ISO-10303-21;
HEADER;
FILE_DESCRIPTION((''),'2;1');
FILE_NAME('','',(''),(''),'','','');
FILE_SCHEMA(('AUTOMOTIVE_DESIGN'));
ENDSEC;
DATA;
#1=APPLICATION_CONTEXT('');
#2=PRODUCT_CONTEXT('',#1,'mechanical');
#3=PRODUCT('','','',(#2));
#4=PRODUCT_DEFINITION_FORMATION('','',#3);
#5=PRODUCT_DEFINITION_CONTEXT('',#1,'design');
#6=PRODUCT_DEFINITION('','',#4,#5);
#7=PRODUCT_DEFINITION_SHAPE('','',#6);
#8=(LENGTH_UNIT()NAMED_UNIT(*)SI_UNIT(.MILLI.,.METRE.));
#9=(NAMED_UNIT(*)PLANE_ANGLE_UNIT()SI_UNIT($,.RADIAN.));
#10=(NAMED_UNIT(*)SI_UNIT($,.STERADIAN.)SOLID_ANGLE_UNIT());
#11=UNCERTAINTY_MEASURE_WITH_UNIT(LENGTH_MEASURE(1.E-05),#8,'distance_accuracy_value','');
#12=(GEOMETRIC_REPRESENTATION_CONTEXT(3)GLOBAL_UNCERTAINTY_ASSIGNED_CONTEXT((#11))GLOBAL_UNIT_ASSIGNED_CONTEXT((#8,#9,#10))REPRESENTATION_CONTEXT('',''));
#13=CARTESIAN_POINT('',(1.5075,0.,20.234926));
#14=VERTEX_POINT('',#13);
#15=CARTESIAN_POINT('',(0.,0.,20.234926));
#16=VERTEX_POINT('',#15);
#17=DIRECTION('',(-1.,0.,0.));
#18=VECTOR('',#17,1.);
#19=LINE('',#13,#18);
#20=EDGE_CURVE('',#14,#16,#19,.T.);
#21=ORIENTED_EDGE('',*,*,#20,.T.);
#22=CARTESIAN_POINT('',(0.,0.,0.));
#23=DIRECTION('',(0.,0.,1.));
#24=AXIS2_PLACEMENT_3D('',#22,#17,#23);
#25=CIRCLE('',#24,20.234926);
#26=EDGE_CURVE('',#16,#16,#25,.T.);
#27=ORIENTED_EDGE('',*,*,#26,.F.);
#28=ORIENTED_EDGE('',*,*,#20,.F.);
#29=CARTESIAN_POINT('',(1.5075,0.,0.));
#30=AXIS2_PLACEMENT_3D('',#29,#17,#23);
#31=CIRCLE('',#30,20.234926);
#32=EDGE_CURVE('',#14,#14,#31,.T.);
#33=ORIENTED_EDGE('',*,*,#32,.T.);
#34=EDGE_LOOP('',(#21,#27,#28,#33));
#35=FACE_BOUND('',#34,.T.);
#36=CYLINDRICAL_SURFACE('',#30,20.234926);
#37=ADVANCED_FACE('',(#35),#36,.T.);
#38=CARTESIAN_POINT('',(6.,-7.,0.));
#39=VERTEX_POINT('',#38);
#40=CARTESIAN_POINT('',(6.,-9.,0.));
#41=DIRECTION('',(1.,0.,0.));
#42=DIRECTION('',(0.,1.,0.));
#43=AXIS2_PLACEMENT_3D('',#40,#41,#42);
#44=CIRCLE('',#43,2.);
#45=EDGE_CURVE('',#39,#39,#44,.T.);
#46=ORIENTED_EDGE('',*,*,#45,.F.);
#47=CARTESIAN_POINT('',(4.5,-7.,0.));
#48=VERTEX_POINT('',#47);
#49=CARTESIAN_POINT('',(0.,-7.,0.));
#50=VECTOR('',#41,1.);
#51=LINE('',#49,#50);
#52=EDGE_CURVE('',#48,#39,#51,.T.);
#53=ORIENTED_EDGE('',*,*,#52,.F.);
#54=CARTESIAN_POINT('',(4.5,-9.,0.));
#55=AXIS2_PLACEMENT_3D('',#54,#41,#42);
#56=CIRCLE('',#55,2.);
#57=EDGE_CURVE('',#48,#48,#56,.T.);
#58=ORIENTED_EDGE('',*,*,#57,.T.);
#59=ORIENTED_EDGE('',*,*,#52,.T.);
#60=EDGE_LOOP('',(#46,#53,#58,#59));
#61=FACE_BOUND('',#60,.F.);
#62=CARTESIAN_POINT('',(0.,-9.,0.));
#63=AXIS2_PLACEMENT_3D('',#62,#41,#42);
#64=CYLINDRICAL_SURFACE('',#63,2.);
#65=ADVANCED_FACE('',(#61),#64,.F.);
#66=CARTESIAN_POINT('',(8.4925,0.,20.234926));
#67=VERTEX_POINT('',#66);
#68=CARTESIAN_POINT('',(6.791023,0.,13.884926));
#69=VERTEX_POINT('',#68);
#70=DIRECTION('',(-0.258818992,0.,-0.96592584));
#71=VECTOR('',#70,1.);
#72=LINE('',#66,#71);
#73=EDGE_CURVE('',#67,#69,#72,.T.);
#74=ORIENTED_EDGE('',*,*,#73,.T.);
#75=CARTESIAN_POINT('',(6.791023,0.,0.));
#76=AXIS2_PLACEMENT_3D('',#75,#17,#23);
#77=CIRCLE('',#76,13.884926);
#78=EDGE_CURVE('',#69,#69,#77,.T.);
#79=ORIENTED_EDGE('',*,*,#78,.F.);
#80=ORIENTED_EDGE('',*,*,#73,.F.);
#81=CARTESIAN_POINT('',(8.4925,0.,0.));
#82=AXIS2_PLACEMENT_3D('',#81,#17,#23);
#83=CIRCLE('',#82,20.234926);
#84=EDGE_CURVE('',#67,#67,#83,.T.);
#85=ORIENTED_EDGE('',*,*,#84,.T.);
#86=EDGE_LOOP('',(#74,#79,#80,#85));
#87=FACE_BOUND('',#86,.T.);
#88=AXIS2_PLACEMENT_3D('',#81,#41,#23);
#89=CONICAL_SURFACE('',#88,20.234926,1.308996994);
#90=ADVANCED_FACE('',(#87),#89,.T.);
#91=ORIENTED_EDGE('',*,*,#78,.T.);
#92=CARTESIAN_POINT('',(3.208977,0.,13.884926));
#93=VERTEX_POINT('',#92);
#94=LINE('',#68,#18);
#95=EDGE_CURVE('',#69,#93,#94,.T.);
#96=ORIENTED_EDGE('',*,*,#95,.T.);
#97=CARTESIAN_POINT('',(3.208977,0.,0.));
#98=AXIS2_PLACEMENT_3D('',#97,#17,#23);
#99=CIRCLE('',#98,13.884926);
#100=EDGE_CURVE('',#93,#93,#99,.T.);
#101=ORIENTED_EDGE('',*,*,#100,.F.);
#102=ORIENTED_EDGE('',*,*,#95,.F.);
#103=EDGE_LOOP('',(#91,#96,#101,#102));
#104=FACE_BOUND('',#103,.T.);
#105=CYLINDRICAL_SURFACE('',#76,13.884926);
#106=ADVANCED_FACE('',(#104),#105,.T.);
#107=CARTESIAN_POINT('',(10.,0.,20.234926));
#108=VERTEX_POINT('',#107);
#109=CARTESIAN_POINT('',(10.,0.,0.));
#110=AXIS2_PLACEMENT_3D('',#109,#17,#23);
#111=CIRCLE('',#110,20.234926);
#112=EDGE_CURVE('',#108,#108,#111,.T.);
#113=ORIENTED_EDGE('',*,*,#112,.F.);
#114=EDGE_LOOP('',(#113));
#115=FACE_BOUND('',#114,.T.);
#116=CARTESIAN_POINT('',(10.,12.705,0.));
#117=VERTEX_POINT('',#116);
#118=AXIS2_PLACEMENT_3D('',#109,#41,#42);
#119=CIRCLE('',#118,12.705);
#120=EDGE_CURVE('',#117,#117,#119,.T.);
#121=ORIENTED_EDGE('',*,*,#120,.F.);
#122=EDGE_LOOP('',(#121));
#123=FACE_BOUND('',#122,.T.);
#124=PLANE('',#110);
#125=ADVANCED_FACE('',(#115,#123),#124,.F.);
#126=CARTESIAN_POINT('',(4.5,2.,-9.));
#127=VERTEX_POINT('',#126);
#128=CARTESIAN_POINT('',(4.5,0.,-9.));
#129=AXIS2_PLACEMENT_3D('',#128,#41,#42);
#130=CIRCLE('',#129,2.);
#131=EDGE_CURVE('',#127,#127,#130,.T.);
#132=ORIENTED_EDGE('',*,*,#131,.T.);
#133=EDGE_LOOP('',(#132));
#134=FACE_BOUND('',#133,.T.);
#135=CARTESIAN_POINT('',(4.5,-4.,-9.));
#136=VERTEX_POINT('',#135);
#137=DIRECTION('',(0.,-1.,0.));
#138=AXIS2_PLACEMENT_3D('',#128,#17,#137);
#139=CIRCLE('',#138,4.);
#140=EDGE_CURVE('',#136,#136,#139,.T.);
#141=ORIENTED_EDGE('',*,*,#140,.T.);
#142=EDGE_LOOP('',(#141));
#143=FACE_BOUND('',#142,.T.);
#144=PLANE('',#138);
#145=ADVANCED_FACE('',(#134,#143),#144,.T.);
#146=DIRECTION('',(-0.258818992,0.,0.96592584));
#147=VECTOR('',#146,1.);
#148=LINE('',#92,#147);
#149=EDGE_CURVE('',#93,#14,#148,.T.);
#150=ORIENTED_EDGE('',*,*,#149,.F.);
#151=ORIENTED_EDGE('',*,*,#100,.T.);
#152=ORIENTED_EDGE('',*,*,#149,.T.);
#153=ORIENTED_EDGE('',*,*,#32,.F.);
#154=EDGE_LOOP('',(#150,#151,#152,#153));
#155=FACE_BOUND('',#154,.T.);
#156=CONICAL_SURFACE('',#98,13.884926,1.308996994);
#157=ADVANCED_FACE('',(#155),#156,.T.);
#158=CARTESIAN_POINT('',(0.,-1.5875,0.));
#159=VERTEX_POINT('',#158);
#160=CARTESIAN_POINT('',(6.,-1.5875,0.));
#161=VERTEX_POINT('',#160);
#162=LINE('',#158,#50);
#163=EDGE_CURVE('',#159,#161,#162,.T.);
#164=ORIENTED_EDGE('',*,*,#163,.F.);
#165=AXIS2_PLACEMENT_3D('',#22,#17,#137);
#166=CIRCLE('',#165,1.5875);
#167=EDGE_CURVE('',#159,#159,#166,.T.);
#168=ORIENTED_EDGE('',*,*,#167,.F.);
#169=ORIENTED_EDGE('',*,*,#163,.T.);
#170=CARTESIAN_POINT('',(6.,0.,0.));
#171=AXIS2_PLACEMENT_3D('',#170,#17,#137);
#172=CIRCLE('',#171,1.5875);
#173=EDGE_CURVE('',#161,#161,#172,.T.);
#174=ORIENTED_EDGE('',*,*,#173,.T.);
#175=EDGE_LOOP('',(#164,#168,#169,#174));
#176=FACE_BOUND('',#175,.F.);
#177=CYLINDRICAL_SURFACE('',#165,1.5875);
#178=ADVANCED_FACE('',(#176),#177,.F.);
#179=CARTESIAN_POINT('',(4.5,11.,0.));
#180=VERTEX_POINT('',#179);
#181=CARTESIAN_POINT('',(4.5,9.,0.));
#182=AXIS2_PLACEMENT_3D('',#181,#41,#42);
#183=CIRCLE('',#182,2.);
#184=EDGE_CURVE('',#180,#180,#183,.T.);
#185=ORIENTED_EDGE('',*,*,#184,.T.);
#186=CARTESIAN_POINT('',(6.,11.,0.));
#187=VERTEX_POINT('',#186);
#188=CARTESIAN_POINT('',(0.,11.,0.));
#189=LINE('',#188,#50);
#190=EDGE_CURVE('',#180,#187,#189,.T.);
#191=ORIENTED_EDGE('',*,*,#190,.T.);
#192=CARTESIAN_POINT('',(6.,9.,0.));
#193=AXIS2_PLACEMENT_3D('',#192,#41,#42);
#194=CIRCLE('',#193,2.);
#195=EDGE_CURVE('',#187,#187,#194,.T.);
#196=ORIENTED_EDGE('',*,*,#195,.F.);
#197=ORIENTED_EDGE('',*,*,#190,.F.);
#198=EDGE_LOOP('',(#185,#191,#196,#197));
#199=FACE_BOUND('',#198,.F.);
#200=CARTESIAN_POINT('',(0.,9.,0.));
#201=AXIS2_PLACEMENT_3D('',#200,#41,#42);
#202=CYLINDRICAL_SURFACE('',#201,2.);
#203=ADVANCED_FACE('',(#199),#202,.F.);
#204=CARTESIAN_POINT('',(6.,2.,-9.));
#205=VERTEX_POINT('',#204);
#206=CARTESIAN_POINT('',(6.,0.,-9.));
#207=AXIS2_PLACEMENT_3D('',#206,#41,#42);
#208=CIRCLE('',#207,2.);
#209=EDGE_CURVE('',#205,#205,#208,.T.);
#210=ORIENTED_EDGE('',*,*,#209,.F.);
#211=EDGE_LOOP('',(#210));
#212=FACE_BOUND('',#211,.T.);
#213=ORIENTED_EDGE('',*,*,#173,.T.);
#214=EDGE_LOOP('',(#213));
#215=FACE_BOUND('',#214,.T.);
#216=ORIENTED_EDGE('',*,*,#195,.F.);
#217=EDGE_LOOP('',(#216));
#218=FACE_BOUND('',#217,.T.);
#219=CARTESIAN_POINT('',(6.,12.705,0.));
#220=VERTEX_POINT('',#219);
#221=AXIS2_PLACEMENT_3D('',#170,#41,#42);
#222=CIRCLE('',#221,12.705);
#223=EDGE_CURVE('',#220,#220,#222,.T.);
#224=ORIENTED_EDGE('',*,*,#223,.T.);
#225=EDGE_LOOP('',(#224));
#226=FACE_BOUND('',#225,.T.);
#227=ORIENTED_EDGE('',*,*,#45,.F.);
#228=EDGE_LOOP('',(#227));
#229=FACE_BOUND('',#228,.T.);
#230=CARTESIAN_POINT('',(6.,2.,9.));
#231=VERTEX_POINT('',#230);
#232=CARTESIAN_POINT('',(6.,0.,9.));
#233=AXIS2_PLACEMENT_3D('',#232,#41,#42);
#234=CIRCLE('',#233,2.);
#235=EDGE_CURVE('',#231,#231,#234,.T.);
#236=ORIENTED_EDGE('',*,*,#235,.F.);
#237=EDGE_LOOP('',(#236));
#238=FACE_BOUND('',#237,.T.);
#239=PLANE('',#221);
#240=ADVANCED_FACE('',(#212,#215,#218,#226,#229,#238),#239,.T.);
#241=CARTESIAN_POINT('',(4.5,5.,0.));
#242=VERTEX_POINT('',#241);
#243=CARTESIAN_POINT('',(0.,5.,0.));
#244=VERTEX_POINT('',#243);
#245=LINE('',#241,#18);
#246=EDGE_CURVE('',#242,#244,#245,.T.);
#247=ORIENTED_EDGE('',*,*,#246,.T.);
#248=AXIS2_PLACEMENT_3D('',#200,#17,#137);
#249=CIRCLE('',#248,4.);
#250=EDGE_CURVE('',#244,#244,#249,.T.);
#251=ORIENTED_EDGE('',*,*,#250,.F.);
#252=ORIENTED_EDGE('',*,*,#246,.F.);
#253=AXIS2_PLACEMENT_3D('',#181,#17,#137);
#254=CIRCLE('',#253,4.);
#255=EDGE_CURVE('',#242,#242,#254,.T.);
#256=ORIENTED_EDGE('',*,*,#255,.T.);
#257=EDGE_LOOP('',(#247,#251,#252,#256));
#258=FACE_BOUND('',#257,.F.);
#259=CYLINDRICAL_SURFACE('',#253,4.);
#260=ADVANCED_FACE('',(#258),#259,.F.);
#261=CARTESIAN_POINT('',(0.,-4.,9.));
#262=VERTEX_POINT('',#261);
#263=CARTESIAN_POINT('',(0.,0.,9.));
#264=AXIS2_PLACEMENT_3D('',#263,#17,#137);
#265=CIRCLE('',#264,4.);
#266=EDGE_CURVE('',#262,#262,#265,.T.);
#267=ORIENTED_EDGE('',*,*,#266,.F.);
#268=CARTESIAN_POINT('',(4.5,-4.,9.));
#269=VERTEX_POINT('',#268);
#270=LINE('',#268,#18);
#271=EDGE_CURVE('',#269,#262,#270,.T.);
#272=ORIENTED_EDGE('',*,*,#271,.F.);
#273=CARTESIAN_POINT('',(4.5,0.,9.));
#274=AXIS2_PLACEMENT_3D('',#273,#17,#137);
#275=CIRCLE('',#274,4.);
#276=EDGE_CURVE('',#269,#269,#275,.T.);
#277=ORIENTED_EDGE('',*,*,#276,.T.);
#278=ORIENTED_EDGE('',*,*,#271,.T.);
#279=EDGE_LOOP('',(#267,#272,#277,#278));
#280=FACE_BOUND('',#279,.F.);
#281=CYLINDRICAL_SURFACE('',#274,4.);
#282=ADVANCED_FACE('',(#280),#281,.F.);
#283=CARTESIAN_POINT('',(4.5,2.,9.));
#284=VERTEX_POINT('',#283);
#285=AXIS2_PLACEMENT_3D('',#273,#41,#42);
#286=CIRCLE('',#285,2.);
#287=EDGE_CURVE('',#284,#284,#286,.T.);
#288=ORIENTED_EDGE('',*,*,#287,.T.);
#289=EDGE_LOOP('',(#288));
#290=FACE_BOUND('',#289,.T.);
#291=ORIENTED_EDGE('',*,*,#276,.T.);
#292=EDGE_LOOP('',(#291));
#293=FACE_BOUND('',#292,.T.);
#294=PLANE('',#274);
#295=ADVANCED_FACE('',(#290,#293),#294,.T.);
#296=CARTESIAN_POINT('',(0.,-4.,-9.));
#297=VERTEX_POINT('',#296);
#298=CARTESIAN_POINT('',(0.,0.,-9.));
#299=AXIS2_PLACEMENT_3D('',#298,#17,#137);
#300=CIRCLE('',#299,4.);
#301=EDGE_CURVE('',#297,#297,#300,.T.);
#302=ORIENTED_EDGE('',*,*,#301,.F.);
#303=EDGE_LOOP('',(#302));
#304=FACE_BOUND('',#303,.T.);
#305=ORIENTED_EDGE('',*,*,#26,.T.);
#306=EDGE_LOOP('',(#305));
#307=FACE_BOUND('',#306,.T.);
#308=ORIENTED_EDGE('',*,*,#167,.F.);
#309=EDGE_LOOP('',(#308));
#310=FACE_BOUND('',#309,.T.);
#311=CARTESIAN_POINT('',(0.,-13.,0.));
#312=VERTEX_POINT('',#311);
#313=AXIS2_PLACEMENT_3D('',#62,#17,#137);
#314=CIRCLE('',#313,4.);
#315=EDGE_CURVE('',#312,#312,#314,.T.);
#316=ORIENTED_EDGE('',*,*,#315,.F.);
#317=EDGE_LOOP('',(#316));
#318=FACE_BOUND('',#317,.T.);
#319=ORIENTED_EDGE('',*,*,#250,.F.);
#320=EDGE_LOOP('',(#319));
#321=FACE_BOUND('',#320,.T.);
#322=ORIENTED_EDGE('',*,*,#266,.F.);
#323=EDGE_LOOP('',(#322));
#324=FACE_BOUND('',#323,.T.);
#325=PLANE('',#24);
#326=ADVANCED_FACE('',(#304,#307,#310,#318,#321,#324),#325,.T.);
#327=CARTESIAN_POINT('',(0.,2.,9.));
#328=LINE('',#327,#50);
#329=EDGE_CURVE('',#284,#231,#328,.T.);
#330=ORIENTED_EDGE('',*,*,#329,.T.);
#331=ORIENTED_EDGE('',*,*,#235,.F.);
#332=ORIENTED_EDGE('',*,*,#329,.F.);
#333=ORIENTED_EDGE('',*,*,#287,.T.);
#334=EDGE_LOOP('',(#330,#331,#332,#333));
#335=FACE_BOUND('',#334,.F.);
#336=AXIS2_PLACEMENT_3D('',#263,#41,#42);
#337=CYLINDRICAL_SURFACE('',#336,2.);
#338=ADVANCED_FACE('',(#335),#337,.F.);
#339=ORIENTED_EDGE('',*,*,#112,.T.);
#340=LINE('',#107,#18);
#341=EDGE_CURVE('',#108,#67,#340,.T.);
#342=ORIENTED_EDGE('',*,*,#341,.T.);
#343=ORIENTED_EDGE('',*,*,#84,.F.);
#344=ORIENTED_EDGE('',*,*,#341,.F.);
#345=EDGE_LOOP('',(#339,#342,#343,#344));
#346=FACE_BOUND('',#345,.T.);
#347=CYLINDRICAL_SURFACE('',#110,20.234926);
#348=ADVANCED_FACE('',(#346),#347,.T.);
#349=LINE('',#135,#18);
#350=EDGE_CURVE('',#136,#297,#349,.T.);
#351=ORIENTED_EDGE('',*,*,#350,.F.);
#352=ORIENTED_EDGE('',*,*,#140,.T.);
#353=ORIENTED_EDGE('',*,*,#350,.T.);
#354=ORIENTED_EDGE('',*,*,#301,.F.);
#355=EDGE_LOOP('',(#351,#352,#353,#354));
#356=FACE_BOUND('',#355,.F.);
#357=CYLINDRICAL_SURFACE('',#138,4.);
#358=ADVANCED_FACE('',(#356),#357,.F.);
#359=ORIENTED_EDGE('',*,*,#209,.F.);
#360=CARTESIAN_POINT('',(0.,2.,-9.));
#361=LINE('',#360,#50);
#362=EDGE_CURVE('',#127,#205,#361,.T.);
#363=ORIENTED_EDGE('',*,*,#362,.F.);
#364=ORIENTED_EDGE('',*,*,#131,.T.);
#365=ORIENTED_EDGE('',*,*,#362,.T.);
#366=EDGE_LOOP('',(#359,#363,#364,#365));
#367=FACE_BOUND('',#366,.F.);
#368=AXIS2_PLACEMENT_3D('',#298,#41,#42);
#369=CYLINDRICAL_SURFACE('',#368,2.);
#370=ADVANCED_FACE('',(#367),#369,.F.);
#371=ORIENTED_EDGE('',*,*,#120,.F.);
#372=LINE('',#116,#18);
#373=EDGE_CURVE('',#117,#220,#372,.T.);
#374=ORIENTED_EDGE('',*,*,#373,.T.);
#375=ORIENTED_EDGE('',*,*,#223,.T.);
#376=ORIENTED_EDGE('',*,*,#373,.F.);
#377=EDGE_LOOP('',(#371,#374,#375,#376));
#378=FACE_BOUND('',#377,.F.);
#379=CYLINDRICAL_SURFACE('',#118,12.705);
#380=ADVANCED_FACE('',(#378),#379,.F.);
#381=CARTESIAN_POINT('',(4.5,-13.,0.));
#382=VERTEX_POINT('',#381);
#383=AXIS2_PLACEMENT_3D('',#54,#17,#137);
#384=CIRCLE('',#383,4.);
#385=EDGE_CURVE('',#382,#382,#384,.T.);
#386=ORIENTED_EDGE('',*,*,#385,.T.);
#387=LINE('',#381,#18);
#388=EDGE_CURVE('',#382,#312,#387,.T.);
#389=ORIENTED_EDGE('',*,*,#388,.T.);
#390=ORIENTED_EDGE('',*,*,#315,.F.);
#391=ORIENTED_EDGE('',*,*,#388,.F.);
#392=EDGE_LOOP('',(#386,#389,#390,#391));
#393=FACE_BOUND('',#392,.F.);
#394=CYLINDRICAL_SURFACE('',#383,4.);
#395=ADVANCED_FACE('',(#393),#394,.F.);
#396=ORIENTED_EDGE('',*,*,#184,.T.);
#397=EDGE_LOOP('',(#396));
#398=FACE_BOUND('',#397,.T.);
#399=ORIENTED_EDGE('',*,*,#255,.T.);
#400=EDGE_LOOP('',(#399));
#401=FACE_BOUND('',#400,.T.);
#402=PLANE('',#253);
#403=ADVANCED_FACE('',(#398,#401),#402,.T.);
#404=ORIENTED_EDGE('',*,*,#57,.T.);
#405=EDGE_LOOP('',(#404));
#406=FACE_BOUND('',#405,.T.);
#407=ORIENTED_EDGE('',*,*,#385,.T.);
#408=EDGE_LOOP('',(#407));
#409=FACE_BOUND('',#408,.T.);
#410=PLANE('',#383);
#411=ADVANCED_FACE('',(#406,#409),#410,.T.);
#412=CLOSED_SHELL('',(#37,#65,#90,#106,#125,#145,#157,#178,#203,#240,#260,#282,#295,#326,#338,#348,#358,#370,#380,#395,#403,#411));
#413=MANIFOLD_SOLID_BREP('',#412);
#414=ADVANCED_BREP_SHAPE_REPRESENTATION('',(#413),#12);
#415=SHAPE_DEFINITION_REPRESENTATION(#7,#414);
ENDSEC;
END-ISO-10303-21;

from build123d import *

# Parameters (mm, degrees)
F2_R           = 12.705
F3_DEPTH       = 4
F5_D           = 4
F5_CBORE_D     = 8
F5_CBORE_DEPTH = 4.5
F6_R           = 1.5875
F7_DEPTH       = 10.001


with BuildPart() as f1:
    # F0 (on Front) → F1 (revolve)
    with BuildSketch(Plane.XZ):
        Polygon((0, 20.234926), (0, 0), (10, 0), (10, 20.234926), (8.4925, 20.234926), (6.791023, 13.884926), (3.208977, 13.884926), (1.5075, 20.234926), align=None)
    revolve(axis=Axis((5, 0, 0), (-1, 0, 0)))

    # F2 (on face) → F3 (cut)
    with BuildSketch(Plane.YZ.offset(10)):
        Circle(F2_R)
    extrude(amount=-F3_DEPTH, mode=Mode.SUBTRACT)

    # F5 (through all)
    with Locations(Plane(origin=(0, 0, 0), x_dir=(0, -1, 0), z_dir=(-1, 0, 0))):
        with Locations((0, 9), (-9, 0), (0, -9), (9, 0)):
            CounterBoreHole(F5_D / 2, F5_CBORE_D / 2, F5_CBORE_DEPTH)

    # F6 (on face) → F7 (cut, through all)
    with BuildSketch(Plane(origin=(0, 0, 0), x_dir=(0, -1, 0), z_dir=(-1, 0, 0))):
        Circle(F6_R)
    extrude(amount=-F7_DEPTH, mode=Mode.SUBTRACT)


solid = f1.part
